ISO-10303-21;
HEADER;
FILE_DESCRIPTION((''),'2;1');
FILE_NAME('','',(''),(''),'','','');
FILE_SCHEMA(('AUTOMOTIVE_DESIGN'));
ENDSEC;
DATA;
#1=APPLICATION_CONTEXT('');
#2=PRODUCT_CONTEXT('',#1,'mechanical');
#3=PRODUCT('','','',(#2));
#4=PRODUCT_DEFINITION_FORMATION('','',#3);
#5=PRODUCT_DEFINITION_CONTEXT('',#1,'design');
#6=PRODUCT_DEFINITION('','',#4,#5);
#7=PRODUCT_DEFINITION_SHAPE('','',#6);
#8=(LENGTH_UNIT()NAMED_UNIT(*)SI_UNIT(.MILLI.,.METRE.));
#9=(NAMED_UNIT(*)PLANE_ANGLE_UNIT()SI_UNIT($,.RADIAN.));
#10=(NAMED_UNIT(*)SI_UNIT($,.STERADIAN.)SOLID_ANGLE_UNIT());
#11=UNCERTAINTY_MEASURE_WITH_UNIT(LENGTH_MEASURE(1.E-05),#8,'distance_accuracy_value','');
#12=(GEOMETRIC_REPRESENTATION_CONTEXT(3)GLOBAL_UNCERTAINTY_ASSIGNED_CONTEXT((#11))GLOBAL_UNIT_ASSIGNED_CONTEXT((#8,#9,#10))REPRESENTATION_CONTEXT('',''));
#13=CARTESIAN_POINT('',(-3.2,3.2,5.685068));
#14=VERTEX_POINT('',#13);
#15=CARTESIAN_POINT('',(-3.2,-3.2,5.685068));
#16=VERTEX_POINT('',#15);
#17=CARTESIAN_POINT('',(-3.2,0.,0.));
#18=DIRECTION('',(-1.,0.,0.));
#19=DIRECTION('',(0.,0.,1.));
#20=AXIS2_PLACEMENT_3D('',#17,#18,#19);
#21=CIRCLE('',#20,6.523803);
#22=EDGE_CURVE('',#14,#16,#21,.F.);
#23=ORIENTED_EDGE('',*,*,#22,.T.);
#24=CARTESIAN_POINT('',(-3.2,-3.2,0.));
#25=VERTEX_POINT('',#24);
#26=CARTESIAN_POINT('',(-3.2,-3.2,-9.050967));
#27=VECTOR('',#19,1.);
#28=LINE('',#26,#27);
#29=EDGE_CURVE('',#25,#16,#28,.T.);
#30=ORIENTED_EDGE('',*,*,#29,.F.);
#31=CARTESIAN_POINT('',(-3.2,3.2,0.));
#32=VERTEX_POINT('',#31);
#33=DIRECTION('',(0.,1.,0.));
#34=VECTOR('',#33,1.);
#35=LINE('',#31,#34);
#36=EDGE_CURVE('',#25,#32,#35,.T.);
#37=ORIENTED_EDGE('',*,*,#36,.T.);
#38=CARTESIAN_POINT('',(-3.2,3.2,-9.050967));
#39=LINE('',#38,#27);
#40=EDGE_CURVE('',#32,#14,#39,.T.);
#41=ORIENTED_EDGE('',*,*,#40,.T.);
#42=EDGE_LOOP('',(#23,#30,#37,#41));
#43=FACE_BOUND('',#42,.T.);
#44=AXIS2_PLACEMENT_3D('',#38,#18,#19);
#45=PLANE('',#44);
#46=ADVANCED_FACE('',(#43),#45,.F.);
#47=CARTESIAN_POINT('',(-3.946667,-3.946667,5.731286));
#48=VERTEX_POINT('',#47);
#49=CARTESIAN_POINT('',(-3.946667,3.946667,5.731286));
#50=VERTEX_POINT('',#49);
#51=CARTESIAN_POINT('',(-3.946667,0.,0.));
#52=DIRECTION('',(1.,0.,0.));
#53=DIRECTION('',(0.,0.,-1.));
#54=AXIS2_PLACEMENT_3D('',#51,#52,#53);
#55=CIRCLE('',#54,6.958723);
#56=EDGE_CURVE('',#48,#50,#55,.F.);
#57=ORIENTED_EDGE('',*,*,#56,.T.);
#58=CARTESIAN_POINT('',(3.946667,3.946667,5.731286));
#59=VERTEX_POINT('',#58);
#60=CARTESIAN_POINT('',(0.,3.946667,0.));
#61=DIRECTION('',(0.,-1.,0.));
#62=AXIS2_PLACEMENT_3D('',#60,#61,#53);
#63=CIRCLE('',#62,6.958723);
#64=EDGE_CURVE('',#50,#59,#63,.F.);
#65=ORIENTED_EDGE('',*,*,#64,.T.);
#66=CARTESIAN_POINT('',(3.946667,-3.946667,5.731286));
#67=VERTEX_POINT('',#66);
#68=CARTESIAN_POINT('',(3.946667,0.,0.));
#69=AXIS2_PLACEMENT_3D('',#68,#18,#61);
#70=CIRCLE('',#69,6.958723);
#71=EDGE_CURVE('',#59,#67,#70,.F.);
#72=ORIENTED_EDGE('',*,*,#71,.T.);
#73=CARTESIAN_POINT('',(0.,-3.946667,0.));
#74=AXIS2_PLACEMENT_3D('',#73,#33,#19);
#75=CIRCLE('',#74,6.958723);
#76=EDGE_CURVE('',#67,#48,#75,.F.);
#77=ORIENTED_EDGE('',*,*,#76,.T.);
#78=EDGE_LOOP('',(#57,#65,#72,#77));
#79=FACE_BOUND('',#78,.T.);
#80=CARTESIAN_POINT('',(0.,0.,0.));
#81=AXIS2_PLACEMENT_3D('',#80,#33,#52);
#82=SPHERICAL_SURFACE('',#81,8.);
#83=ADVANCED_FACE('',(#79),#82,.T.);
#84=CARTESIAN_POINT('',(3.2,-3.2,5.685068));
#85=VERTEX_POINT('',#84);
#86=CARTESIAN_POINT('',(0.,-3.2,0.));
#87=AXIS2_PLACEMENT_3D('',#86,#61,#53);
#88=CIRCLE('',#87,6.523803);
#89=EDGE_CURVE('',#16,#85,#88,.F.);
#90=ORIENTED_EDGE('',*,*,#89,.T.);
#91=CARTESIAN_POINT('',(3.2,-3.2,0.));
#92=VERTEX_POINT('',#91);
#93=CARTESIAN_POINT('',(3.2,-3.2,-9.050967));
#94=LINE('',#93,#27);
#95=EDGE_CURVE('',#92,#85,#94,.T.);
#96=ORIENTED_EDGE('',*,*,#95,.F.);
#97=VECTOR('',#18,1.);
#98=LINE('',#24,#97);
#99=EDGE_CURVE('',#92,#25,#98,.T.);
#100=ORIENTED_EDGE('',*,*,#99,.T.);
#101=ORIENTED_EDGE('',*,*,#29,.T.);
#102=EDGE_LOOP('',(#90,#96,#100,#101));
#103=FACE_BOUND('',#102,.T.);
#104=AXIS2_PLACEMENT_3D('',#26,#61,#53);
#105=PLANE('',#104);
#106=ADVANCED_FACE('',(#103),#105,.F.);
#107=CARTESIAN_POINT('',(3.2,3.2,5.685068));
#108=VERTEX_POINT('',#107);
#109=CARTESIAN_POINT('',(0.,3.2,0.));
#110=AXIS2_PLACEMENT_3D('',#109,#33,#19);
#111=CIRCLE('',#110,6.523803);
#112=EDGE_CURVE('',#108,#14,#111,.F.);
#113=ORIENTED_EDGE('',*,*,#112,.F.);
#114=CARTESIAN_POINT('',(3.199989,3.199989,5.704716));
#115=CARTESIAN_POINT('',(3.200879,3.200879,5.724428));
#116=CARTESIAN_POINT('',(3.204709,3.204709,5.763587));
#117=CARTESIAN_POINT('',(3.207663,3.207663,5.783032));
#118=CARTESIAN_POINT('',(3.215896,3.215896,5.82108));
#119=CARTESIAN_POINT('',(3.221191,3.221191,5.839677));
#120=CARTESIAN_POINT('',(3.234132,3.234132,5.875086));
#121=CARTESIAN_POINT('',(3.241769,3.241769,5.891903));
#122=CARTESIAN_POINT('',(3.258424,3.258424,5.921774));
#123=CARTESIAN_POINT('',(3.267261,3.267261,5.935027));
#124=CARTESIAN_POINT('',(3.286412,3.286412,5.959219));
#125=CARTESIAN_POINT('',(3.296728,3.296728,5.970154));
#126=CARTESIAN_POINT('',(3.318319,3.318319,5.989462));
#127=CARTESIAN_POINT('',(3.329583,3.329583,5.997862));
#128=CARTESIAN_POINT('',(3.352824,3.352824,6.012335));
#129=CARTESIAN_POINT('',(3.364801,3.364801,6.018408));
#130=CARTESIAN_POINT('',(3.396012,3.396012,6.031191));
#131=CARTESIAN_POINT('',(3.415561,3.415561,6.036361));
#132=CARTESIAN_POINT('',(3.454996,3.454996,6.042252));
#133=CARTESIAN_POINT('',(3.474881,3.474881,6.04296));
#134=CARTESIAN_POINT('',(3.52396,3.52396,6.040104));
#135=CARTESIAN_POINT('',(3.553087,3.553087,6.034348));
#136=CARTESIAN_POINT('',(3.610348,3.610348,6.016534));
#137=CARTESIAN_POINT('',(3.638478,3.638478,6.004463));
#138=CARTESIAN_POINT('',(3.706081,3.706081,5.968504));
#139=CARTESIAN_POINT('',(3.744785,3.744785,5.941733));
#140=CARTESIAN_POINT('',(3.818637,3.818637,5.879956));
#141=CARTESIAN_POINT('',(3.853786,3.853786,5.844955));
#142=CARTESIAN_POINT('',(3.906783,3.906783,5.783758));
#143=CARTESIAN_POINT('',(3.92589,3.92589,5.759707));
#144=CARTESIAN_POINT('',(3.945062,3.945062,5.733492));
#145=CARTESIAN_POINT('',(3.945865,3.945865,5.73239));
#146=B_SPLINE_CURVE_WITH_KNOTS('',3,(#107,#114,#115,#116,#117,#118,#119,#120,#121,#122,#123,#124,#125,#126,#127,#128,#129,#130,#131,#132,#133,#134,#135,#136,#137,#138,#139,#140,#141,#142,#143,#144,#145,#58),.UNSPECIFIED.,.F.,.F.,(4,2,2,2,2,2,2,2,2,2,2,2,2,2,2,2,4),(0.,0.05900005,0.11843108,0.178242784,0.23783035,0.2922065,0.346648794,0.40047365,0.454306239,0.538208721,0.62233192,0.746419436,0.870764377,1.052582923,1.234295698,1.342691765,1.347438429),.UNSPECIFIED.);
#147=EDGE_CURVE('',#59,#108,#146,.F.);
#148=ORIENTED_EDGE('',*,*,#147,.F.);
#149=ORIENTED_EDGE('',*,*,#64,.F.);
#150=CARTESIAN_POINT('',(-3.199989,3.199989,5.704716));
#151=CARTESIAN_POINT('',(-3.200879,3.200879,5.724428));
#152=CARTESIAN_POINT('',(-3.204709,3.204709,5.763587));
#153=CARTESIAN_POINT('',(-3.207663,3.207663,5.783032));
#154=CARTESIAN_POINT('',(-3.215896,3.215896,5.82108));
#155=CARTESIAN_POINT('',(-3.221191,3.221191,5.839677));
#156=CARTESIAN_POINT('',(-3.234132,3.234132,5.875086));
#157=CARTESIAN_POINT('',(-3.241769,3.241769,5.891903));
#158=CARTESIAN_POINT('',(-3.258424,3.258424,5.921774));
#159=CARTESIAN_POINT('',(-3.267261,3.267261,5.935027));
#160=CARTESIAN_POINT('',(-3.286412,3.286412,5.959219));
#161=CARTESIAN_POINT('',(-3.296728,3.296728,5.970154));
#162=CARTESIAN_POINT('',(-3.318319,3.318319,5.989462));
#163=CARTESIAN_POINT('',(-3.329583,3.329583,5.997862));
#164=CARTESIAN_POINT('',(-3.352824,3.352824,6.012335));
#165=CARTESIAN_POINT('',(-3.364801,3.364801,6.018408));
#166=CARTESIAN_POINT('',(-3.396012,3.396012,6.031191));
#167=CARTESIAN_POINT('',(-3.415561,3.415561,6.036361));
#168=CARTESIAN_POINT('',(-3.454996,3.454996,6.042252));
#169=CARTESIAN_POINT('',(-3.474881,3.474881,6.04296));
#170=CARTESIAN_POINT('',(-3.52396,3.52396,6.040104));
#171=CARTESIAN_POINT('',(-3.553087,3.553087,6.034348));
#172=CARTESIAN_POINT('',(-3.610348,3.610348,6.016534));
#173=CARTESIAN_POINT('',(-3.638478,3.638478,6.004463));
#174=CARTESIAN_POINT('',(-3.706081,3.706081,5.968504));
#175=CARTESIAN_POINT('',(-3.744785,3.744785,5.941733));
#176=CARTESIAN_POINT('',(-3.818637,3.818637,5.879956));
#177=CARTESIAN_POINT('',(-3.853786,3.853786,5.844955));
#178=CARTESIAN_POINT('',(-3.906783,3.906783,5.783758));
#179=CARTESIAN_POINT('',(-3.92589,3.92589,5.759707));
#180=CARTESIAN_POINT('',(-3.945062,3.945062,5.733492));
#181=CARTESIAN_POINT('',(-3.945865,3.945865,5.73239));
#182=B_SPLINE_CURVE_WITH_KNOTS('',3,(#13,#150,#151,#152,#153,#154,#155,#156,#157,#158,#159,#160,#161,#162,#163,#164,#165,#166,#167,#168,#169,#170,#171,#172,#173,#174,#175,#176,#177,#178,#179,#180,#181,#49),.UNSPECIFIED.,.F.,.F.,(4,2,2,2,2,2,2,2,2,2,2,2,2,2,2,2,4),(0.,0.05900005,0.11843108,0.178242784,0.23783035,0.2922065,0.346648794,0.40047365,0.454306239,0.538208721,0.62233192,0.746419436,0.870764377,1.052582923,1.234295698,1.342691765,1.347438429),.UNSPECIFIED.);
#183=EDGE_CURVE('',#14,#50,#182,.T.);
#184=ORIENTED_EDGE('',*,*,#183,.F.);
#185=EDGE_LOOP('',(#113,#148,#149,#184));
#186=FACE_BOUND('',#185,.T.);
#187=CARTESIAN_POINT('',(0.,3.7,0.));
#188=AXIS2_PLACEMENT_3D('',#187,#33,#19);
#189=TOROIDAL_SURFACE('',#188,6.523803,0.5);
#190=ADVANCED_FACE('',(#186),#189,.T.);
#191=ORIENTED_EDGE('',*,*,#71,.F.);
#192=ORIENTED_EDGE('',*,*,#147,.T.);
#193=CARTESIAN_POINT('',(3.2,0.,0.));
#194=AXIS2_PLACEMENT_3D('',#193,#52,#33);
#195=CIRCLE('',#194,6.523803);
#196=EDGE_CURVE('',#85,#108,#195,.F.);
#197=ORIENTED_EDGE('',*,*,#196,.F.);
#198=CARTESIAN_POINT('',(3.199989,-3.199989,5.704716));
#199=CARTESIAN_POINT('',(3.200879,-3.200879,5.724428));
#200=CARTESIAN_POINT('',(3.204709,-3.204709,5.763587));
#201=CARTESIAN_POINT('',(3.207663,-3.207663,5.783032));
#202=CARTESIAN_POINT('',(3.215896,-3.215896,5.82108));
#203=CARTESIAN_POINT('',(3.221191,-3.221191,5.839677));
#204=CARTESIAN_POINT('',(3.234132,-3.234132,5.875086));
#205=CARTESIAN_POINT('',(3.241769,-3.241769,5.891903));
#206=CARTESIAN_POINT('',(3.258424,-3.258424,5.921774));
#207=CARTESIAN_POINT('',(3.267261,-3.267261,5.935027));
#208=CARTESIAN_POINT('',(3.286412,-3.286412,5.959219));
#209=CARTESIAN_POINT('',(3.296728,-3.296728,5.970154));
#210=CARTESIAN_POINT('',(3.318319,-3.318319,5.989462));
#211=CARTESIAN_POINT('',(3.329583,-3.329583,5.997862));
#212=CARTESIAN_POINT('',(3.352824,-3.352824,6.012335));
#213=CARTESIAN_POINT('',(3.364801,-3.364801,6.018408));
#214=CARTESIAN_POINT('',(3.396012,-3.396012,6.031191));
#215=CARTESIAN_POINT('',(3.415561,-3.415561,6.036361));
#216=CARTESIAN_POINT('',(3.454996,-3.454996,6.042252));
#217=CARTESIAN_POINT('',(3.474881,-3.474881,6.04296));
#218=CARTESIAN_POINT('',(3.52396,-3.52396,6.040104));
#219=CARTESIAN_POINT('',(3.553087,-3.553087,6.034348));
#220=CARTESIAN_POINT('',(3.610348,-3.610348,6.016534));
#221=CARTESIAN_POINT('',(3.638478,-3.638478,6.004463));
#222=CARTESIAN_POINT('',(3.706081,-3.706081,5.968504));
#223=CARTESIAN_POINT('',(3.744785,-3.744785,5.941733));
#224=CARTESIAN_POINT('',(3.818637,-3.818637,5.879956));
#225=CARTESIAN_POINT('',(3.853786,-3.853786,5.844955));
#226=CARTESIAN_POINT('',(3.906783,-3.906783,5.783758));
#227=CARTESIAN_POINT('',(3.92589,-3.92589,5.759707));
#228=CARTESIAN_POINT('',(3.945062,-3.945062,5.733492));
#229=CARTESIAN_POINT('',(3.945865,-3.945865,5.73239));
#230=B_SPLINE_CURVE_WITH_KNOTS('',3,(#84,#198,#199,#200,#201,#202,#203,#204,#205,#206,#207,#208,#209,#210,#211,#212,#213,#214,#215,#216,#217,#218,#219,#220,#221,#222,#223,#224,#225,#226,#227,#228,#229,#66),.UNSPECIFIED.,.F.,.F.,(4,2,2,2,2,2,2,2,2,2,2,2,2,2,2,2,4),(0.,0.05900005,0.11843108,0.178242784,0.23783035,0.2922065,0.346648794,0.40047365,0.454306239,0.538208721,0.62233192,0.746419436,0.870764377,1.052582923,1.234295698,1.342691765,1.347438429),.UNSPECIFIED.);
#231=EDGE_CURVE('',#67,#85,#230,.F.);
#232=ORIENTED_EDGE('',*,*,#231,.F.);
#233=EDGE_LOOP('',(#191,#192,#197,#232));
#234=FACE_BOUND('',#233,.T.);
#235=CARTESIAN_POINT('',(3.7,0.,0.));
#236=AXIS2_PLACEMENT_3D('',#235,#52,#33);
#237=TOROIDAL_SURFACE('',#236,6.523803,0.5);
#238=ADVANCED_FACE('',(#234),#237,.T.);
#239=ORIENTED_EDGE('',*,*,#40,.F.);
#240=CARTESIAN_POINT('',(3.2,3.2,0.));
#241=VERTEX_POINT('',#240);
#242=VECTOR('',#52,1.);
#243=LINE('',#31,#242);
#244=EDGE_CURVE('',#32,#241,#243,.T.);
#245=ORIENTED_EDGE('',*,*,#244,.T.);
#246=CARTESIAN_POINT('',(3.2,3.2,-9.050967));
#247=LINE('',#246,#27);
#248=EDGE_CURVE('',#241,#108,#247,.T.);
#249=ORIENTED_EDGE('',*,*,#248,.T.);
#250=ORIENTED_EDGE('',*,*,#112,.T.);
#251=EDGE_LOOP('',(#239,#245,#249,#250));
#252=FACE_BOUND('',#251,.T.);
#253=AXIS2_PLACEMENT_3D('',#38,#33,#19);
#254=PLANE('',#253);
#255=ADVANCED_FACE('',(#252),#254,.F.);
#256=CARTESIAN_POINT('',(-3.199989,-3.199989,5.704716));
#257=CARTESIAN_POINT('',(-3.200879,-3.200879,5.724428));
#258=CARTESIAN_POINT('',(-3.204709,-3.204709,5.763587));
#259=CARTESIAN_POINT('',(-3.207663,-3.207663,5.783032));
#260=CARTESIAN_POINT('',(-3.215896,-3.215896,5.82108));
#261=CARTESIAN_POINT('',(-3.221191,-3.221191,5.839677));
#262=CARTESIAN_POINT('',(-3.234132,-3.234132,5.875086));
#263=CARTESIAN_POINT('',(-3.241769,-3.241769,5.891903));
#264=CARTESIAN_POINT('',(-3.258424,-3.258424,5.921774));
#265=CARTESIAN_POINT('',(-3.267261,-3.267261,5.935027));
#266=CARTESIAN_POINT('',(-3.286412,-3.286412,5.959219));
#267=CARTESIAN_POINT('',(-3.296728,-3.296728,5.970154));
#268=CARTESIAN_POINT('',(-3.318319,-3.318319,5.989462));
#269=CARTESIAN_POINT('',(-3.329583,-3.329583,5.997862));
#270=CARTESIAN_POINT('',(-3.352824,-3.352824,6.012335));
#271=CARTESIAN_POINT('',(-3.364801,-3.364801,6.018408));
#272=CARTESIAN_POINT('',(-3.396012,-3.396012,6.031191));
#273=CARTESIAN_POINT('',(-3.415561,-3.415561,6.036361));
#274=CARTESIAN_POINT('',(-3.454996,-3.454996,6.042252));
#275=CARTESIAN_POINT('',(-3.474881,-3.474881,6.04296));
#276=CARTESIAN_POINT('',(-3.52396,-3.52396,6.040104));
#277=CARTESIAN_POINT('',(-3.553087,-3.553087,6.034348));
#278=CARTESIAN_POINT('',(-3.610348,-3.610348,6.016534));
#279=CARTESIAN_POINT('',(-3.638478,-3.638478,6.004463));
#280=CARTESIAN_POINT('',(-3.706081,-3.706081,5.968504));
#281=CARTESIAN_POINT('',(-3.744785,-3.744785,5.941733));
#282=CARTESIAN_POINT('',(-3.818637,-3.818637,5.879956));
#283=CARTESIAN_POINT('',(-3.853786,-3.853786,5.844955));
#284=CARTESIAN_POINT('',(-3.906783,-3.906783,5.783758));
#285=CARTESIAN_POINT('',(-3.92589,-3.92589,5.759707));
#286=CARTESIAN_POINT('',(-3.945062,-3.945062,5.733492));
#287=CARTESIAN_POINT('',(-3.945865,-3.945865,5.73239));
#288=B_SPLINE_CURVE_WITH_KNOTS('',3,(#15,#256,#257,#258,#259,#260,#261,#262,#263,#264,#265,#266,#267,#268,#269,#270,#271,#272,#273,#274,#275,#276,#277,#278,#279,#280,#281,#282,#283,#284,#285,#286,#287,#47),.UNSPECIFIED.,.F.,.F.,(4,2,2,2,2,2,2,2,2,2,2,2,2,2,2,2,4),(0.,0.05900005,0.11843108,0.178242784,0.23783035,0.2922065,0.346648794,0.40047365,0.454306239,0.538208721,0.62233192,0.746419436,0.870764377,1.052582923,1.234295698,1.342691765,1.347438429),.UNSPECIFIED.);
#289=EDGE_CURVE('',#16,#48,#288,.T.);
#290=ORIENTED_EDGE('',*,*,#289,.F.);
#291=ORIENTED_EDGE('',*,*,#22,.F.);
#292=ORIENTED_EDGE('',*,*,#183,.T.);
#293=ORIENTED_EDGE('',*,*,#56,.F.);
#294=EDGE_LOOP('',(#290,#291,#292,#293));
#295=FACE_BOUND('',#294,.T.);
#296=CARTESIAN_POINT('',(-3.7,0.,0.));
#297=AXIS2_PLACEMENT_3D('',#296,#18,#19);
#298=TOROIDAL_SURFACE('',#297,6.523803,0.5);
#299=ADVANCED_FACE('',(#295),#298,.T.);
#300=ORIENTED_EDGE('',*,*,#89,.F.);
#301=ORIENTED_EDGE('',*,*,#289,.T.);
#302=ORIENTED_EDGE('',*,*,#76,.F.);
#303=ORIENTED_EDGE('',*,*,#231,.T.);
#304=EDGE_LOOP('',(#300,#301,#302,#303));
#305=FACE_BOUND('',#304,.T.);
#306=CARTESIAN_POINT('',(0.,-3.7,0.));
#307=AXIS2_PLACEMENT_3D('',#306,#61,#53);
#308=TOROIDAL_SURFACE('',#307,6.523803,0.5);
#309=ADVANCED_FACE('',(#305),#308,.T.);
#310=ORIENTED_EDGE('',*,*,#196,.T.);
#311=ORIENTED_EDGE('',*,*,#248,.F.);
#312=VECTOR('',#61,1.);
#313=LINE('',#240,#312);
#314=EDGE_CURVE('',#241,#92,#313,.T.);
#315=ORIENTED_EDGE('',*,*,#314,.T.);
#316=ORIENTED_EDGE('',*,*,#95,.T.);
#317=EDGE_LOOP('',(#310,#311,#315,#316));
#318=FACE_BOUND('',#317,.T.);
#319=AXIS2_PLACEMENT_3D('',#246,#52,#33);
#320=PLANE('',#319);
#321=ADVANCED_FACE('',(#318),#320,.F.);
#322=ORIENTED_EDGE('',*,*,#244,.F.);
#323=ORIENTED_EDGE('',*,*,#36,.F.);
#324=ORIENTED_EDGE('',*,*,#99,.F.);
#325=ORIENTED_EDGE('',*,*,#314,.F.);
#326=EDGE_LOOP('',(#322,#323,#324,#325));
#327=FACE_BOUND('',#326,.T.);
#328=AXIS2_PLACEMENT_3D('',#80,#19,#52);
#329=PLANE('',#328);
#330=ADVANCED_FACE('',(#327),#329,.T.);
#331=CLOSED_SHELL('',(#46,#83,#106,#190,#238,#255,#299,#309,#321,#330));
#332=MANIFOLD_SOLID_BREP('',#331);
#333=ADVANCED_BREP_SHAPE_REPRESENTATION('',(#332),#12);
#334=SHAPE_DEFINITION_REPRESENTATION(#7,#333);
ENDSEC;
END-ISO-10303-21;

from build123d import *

# Parameters (mm, degrees)
SKETCH_2_W          = 6.4
SKETCH_2_H          = 6.4
CUT_EXTRUDE_1_DEPTH = 8
FILLET_1_R          = 0.5


with BuildPart() as part:
    # 스케치1 → 회전2 (revolve)
    with BuildSketch(Plane.XY):
        with BuildLine():
            Line((0, 8), (0, -8))
            ThreePointArc((0, -8), (8, 0), (0, 8))
        make_face()
    revolve(axis=Axis((0, 8, 0), (0, -1, 0)))

    # 스케치2 → 컷-돌출1 (cut)
    with BuildSketch(Plane.XY.offset(8)):
        Rectangle(SKETCH_2_W, SKETCH_2_H)
    extrude(amount=-CUT_EXTRUDE_1_DEPTH, mode=Mode.SUBTRACT)

    # 필렛1
    fillet_1_edges = [part.edges().sort_by_distance(p)[0] for p in [
        (0, -3.2, 7.332121112),
        (3.2, 0, 7.332121112),
        (0, 3.2, 7.332121112),
        (-3.2, 0, 7.332121112),
    ]]
    fillet(fillet_1_edges, radius=FILLET_1_R)


solid = part.part
